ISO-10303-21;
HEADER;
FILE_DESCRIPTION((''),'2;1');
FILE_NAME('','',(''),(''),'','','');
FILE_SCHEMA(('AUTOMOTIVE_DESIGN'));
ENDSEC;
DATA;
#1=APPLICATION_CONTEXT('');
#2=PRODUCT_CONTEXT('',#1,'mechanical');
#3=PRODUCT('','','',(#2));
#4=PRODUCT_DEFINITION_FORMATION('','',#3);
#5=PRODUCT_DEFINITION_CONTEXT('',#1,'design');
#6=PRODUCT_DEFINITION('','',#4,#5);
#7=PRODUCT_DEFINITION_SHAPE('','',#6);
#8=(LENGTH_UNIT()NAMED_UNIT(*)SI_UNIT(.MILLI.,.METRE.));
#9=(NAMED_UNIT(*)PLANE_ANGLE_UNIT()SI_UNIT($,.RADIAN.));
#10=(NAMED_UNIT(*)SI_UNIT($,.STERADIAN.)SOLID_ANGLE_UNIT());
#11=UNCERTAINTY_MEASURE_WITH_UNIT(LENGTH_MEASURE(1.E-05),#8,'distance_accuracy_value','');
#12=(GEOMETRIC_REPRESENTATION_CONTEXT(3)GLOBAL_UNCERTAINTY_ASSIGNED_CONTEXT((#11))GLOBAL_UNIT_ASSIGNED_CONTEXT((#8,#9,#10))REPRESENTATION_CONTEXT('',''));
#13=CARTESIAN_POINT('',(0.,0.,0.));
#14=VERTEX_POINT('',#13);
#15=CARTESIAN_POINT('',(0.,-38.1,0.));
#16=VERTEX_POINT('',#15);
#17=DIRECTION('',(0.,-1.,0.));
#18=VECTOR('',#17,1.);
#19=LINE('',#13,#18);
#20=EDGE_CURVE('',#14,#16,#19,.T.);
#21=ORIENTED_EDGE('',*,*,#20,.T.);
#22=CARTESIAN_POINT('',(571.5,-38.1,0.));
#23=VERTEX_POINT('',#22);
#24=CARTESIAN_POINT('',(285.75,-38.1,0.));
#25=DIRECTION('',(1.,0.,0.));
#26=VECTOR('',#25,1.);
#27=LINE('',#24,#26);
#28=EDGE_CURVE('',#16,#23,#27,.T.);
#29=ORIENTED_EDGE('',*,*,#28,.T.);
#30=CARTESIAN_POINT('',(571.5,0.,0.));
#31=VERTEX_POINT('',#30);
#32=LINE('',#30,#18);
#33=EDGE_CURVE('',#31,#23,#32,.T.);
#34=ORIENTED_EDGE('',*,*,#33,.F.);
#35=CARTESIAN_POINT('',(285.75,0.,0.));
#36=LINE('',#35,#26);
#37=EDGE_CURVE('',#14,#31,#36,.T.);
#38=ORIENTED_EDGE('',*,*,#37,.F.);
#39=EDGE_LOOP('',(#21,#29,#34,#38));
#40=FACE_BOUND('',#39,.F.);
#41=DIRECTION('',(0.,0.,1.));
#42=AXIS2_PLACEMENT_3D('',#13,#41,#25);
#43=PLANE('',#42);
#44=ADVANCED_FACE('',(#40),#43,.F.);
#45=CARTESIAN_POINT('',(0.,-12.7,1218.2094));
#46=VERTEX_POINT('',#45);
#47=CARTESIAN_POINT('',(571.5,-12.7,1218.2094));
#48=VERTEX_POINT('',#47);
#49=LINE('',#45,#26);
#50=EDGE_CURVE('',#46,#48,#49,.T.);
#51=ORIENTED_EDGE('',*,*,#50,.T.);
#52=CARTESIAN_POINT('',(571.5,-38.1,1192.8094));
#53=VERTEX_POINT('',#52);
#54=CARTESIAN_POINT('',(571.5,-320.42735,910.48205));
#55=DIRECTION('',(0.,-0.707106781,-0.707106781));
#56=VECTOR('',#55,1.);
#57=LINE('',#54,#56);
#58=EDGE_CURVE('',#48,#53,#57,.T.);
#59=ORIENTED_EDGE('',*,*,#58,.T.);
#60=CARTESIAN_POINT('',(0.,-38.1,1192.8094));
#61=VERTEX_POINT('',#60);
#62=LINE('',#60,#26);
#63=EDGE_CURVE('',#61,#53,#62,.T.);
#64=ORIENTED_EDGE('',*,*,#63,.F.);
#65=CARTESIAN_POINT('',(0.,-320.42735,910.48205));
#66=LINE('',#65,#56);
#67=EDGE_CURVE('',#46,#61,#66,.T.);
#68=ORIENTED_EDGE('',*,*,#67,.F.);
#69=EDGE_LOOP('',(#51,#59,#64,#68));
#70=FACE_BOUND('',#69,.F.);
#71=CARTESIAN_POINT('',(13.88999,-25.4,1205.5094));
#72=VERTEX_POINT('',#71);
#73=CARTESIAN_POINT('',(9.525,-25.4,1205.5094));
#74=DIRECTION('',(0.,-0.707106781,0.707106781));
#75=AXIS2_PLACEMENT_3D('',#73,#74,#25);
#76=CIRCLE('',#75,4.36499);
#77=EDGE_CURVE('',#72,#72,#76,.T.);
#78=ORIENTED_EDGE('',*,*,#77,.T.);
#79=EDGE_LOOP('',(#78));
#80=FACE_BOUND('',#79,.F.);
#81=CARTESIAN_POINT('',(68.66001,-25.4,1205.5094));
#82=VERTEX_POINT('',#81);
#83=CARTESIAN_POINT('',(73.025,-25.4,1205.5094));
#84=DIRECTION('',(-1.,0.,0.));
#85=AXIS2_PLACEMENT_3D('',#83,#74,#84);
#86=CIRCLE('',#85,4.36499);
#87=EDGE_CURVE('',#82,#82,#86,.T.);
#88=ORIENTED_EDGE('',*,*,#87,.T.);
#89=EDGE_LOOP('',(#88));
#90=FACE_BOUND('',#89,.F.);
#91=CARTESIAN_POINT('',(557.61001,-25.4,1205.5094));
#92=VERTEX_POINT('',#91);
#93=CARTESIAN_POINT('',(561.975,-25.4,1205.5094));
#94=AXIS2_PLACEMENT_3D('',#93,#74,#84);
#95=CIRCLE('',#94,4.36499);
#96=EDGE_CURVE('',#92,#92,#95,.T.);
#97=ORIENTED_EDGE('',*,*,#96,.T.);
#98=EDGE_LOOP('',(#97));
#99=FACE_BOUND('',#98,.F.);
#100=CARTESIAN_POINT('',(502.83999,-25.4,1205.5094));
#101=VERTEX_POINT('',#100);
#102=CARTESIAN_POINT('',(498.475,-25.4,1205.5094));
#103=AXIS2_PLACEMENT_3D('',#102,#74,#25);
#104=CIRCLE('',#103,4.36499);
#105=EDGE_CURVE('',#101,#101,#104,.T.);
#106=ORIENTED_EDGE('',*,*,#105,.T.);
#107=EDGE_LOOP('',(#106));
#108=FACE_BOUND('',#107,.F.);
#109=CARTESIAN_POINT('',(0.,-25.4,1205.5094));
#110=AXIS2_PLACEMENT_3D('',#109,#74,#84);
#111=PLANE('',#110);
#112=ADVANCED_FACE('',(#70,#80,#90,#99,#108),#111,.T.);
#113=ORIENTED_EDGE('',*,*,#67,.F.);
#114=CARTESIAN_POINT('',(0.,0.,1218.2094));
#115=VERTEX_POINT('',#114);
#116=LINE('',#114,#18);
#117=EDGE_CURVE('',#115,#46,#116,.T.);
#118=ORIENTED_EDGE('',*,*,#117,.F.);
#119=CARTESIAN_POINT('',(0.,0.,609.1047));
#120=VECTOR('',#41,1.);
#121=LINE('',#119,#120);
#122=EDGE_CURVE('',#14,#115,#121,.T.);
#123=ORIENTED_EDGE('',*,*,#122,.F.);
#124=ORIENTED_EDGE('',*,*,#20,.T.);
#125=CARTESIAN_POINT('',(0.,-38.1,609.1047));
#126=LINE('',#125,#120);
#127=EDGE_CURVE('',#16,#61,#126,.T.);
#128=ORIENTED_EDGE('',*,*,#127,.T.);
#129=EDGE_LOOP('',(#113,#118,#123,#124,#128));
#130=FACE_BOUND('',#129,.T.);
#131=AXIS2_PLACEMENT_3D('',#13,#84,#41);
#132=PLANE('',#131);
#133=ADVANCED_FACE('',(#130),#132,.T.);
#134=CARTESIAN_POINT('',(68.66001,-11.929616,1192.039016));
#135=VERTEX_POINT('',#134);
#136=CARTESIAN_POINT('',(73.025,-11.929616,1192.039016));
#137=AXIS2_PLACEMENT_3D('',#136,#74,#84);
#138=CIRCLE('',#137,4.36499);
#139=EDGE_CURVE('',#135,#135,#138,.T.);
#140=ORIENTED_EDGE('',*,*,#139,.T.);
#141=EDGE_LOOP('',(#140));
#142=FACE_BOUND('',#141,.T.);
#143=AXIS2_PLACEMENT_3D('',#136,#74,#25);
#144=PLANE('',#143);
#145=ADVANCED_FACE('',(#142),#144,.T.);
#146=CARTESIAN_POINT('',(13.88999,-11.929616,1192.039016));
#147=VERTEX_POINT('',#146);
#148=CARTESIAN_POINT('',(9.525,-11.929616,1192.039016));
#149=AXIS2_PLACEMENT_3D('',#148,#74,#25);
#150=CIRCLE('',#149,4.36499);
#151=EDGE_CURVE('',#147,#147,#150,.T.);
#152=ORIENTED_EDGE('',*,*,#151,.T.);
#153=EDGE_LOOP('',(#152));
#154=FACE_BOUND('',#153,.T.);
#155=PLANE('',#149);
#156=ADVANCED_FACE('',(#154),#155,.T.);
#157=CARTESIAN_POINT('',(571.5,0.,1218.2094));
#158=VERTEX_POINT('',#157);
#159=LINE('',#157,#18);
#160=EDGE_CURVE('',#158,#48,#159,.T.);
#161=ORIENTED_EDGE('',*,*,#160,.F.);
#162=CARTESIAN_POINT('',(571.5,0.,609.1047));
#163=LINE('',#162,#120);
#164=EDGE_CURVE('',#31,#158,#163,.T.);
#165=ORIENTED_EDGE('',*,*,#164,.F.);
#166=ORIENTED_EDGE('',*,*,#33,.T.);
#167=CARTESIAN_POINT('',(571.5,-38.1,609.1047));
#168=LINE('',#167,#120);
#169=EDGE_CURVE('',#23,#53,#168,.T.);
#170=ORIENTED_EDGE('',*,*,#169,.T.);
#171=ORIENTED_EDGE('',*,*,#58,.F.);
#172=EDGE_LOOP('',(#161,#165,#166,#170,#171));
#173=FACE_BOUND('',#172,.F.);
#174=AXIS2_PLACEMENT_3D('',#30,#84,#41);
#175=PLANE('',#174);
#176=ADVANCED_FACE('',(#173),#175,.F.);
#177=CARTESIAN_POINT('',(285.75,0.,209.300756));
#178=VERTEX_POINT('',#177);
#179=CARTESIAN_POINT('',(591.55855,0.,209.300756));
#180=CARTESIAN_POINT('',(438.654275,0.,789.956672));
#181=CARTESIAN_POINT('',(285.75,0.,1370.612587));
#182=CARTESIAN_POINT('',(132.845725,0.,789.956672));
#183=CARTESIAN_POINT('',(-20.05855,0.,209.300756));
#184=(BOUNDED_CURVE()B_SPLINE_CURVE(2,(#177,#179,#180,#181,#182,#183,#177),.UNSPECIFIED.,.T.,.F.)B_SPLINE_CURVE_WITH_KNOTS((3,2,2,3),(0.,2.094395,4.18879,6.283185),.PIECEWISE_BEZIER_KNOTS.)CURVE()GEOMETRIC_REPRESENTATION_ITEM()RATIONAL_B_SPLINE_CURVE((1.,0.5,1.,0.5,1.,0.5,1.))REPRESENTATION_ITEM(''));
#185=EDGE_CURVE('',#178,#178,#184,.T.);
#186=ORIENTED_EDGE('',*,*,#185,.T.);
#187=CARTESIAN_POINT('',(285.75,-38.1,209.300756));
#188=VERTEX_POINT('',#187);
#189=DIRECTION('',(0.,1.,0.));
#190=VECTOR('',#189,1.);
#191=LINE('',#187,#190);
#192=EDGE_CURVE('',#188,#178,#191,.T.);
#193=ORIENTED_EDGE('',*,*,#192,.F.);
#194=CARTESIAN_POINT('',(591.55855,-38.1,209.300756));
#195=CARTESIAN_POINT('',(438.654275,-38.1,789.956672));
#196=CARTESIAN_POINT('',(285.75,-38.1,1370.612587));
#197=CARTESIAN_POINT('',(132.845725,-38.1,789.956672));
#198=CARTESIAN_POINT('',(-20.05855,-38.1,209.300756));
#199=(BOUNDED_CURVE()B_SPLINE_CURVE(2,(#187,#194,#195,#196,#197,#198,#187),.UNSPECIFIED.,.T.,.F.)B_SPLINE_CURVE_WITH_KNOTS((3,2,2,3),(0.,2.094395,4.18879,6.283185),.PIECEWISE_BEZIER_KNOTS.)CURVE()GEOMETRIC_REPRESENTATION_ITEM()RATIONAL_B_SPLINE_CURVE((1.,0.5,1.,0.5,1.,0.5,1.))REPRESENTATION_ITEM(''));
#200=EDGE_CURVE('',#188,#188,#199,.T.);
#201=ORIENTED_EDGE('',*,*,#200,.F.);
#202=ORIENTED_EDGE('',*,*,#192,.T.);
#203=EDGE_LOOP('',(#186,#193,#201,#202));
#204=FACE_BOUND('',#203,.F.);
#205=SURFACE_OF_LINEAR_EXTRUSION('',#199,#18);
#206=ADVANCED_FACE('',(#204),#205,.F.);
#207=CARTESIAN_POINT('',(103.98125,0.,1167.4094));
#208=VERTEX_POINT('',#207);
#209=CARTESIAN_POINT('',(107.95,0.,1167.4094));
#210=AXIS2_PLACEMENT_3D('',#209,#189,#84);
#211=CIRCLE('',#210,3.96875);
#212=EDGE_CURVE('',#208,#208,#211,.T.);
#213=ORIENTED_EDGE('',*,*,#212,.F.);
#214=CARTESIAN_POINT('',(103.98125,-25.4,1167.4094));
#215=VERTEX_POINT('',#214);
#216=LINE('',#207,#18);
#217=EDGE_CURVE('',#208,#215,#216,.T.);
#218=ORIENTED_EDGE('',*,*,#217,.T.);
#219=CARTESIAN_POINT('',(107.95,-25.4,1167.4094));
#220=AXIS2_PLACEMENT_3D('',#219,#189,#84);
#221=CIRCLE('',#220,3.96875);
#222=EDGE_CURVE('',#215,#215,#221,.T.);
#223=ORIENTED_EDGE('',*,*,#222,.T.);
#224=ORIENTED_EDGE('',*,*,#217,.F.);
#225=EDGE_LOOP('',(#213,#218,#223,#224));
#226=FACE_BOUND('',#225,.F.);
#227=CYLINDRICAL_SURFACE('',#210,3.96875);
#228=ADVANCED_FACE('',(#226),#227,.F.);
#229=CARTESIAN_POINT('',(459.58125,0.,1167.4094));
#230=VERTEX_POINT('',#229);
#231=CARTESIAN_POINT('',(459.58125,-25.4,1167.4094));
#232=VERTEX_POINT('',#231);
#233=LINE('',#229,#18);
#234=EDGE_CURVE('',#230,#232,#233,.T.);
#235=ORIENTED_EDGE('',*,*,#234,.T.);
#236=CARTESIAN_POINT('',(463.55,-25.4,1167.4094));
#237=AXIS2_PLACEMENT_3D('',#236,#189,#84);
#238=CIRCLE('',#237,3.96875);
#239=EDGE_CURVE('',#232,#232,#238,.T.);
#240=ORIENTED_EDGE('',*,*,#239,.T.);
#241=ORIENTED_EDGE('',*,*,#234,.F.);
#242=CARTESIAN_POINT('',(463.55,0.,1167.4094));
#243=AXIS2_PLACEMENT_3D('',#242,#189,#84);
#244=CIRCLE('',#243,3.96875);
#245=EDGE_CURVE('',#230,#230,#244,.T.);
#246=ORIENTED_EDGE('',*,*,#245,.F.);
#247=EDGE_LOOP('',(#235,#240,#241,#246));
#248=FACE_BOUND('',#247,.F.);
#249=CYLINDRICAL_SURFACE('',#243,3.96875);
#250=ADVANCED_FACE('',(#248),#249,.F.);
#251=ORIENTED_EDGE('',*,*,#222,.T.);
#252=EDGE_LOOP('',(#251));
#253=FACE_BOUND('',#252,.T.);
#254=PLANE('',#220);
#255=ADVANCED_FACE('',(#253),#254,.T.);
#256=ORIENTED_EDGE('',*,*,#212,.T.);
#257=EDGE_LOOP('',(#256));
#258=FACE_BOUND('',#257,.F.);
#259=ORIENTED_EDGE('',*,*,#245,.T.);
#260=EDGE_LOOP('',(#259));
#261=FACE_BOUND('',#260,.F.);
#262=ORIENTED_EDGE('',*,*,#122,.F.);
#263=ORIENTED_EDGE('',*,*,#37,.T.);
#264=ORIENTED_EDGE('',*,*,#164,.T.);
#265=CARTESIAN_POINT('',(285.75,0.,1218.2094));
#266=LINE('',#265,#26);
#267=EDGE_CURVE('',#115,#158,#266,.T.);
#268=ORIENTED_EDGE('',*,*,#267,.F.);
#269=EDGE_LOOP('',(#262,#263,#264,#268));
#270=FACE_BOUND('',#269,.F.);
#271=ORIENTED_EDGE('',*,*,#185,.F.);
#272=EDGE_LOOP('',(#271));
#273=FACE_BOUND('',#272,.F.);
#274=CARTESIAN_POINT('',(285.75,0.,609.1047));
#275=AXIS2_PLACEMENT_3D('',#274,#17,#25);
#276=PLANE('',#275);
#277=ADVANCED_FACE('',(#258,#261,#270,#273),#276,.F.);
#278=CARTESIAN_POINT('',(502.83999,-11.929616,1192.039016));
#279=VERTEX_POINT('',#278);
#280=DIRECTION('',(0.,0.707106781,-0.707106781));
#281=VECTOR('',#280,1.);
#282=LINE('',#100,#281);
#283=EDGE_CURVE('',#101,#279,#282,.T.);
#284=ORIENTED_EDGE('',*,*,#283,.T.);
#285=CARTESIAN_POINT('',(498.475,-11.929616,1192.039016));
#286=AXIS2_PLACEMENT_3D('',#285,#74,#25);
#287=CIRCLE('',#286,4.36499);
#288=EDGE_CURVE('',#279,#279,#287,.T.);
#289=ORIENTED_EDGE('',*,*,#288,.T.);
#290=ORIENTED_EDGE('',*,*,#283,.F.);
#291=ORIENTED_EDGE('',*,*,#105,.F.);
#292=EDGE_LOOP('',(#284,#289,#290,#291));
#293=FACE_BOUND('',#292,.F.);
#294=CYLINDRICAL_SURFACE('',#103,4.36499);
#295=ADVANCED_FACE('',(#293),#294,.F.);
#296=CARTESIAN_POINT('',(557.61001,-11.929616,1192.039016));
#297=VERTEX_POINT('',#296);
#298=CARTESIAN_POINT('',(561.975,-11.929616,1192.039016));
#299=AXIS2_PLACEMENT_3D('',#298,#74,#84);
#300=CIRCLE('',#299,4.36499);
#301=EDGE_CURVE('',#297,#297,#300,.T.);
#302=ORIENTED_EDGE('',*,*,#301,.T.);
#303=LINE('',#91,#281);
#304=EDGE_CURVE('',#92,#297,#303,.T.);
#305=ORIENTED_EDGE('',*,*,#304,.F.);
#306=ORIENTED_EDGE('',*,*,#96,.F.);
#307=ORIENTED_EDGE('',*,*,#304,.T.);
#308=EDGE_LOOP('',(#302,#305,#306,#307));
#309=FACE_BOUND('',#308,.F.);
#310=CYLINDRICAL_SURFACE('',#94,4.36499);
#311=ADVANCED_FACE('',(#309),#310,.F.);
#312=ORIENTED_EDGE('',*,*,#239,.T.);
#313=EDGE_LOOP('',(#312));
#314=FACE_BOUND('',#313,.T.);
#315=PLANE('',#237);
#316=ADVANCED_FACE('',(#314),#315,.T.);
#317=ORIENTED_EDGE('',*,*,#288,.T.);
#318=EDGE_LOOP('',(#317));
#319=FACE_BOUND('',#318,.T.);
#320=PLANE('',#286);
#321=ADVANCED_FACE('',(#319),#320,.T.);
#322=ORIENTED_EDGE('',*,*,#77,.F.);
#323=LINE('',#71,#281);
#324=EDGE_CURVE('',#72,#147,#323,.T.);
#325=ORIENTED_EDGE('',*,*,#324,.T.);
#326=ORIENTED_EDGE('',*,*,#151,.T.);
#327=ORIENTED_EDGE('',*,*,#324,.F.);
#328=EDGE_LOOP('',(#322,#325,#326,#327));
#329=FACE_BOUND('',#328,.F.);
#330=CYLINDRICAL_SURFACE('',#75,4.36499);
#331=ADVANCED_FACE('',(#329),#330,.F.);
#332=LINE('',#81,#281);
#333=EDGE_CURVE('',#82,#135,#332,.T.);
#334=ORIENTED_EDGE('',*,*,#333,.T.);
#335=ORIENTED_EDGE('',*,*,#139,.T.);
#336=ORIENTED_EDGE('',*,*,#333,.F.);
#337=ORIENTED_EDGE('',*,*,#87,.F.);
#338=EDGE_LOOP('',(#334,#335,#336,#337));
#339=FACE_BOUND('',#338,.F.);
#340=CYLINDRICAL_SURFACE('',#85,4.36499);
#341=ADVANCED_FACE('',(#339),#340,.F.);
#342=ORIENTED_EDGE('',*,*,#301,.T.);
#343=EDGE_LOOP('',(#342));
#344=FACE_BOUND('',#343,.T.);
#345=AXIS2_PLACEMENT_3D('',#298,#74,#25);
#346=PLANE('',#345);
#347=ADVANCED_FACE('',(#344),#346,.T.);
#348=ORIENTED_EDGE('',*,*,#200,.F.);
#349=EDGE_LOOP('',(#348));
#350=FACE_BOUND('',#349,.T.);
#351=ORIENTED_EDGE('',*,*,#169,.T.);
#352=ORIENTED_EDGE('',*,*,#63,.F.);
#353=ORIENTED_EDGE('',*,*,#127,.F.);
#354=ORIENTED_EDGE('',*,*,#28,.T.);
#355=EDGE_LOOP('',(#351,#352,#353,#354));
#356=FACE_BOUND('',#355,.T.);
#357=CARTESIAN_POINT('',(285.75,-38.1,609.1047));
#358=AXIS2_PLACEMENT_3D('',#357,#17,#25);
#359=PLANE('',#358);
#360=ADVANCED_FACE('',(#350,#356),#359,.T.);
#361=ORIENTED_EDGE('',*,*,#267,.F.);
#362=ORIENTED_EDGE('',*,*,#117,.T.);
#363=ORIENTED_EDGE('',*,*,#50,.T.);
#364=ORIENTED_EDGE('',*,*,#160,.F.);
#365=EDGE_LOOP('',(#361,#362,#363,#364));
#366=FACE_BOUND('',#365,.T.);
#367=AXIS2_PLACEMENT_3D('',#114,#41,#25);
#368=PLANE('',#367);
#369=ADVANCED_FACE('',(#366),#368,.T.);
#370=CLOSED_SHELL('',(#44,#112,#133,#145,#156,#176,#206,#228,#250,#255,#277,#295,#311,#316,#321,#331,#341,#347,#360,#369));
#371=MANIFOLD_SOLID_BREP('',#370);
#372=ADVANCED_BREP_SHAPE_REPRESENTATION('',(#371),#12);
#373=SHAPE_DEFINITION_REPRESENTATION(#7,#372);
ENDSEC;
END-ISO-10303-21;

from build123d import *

# Parameters (mm, degrees)
F0_W     = 571.5
F0_H     = 1218.2094
F1_DEPTH = 38.1
F2_SIZE2 = 25.4
F2_SIZE  = 25.4
F4_DEPTH = 38.1
F5_R     = 4.36499
F6_DEPTH = 19.05
F7_R     = 3.96875
F8_DEPTH = 25.4


with BuildPart() as f1:
    # F0 (on Front) → F1 (new body)
    with BuildSketch(Plane.XZ):
        with Locations((285.75, 609.1047)):
            Rectangle(F0_W, F0_H)
    extrude(amount=F1_DEPTH)

    # F2
    f2_edges = [f1.edges().sort_by_distance(p)[0] for p in [
        (285.75, -38.1, 1218.2094),
    ]]
    chamfer(f2_edges, length=F2_SIZE, length2=F2_SIZE2)

    # F3 (on face) → F4 (cut)
    with BuildSketch(Plane.XZ.offset(38.1)):
        with BuildLine():
            add(Edge.make_bspline(
                [(285.75, 209.300756), (591.55855, 209.300756), (438.654275, 789.956672), (285.75, 1370.612587), (132.845725, 789.956672), (-20.05855, 209.300756), (285.75, 209.300756)],
                knots=[0, 0, 0, 2.094395, 2.094395, 4.18879, 4.18879, 6.283185, 6.283185, 6.283185], degree=2, weights=[1, 0.5, 1, 0.5, 1, 0.5, 1]))
        make_face()
    extrude(amount=-F4_DEPTH, mode=Mode.SUBTRACT)

    # F5 (on face) → F6 (cut)
    with BuildSketch(Plane(origin=(0, -615.4547, 615.4547), x_dir=(1, 0, 0), z_dir=(0, -0.707107, 0.707107))):
        with Locations((9.525, 834.463359)):
            Circle(F5_R)
        with BuildLine():
            ThreePointArc((77.38999, 834.463359), (73.025, 838.828349), (68.66001, 834.463359))
            ThreePointArc((68.66001, 834.463359), (73.025, 830.098369), (77.38999, 834.463359))
        make_face()
        with Locations((498.475, 834.463359)):
            Circle(F5_R)
        with BuildLine():
            ThreePointArc((566.33999, 834.463359), (561.975, 838.828349), (557.61001, 834.463359))
            ThreePointArc((557.61001, 834.463359), (561.975, 830.098369), (566.33999, 834.463359))
        make_face()
    extrude(amount=-F6_DEPTH, mode=Mode.SUBTRACT)

    # F7 (on face) → F8 (cut)
    with BuildSketch(Plane(origin=(0, 0, 0), x_dir=(-1, 0, 0), z_dir=(0, 1, 0))):
        with BuildLine():
            ThreePointArc((-467.51875, 1167.4094), (-463.55, 1163.44065), (-459.58125, 1167.4094))
            ThreePointArc((-459.58125, 1167.4094), (-463.55, 1171.37815), (-467.51875, 1167.4094))
        make_face()
        with Locations((-107.95, 1167.4094)):
            Circle(F7_R)
    extrude(amount=-F8_DEPTH, mode=Mode.SUBTRACT)


solid = f1.part
